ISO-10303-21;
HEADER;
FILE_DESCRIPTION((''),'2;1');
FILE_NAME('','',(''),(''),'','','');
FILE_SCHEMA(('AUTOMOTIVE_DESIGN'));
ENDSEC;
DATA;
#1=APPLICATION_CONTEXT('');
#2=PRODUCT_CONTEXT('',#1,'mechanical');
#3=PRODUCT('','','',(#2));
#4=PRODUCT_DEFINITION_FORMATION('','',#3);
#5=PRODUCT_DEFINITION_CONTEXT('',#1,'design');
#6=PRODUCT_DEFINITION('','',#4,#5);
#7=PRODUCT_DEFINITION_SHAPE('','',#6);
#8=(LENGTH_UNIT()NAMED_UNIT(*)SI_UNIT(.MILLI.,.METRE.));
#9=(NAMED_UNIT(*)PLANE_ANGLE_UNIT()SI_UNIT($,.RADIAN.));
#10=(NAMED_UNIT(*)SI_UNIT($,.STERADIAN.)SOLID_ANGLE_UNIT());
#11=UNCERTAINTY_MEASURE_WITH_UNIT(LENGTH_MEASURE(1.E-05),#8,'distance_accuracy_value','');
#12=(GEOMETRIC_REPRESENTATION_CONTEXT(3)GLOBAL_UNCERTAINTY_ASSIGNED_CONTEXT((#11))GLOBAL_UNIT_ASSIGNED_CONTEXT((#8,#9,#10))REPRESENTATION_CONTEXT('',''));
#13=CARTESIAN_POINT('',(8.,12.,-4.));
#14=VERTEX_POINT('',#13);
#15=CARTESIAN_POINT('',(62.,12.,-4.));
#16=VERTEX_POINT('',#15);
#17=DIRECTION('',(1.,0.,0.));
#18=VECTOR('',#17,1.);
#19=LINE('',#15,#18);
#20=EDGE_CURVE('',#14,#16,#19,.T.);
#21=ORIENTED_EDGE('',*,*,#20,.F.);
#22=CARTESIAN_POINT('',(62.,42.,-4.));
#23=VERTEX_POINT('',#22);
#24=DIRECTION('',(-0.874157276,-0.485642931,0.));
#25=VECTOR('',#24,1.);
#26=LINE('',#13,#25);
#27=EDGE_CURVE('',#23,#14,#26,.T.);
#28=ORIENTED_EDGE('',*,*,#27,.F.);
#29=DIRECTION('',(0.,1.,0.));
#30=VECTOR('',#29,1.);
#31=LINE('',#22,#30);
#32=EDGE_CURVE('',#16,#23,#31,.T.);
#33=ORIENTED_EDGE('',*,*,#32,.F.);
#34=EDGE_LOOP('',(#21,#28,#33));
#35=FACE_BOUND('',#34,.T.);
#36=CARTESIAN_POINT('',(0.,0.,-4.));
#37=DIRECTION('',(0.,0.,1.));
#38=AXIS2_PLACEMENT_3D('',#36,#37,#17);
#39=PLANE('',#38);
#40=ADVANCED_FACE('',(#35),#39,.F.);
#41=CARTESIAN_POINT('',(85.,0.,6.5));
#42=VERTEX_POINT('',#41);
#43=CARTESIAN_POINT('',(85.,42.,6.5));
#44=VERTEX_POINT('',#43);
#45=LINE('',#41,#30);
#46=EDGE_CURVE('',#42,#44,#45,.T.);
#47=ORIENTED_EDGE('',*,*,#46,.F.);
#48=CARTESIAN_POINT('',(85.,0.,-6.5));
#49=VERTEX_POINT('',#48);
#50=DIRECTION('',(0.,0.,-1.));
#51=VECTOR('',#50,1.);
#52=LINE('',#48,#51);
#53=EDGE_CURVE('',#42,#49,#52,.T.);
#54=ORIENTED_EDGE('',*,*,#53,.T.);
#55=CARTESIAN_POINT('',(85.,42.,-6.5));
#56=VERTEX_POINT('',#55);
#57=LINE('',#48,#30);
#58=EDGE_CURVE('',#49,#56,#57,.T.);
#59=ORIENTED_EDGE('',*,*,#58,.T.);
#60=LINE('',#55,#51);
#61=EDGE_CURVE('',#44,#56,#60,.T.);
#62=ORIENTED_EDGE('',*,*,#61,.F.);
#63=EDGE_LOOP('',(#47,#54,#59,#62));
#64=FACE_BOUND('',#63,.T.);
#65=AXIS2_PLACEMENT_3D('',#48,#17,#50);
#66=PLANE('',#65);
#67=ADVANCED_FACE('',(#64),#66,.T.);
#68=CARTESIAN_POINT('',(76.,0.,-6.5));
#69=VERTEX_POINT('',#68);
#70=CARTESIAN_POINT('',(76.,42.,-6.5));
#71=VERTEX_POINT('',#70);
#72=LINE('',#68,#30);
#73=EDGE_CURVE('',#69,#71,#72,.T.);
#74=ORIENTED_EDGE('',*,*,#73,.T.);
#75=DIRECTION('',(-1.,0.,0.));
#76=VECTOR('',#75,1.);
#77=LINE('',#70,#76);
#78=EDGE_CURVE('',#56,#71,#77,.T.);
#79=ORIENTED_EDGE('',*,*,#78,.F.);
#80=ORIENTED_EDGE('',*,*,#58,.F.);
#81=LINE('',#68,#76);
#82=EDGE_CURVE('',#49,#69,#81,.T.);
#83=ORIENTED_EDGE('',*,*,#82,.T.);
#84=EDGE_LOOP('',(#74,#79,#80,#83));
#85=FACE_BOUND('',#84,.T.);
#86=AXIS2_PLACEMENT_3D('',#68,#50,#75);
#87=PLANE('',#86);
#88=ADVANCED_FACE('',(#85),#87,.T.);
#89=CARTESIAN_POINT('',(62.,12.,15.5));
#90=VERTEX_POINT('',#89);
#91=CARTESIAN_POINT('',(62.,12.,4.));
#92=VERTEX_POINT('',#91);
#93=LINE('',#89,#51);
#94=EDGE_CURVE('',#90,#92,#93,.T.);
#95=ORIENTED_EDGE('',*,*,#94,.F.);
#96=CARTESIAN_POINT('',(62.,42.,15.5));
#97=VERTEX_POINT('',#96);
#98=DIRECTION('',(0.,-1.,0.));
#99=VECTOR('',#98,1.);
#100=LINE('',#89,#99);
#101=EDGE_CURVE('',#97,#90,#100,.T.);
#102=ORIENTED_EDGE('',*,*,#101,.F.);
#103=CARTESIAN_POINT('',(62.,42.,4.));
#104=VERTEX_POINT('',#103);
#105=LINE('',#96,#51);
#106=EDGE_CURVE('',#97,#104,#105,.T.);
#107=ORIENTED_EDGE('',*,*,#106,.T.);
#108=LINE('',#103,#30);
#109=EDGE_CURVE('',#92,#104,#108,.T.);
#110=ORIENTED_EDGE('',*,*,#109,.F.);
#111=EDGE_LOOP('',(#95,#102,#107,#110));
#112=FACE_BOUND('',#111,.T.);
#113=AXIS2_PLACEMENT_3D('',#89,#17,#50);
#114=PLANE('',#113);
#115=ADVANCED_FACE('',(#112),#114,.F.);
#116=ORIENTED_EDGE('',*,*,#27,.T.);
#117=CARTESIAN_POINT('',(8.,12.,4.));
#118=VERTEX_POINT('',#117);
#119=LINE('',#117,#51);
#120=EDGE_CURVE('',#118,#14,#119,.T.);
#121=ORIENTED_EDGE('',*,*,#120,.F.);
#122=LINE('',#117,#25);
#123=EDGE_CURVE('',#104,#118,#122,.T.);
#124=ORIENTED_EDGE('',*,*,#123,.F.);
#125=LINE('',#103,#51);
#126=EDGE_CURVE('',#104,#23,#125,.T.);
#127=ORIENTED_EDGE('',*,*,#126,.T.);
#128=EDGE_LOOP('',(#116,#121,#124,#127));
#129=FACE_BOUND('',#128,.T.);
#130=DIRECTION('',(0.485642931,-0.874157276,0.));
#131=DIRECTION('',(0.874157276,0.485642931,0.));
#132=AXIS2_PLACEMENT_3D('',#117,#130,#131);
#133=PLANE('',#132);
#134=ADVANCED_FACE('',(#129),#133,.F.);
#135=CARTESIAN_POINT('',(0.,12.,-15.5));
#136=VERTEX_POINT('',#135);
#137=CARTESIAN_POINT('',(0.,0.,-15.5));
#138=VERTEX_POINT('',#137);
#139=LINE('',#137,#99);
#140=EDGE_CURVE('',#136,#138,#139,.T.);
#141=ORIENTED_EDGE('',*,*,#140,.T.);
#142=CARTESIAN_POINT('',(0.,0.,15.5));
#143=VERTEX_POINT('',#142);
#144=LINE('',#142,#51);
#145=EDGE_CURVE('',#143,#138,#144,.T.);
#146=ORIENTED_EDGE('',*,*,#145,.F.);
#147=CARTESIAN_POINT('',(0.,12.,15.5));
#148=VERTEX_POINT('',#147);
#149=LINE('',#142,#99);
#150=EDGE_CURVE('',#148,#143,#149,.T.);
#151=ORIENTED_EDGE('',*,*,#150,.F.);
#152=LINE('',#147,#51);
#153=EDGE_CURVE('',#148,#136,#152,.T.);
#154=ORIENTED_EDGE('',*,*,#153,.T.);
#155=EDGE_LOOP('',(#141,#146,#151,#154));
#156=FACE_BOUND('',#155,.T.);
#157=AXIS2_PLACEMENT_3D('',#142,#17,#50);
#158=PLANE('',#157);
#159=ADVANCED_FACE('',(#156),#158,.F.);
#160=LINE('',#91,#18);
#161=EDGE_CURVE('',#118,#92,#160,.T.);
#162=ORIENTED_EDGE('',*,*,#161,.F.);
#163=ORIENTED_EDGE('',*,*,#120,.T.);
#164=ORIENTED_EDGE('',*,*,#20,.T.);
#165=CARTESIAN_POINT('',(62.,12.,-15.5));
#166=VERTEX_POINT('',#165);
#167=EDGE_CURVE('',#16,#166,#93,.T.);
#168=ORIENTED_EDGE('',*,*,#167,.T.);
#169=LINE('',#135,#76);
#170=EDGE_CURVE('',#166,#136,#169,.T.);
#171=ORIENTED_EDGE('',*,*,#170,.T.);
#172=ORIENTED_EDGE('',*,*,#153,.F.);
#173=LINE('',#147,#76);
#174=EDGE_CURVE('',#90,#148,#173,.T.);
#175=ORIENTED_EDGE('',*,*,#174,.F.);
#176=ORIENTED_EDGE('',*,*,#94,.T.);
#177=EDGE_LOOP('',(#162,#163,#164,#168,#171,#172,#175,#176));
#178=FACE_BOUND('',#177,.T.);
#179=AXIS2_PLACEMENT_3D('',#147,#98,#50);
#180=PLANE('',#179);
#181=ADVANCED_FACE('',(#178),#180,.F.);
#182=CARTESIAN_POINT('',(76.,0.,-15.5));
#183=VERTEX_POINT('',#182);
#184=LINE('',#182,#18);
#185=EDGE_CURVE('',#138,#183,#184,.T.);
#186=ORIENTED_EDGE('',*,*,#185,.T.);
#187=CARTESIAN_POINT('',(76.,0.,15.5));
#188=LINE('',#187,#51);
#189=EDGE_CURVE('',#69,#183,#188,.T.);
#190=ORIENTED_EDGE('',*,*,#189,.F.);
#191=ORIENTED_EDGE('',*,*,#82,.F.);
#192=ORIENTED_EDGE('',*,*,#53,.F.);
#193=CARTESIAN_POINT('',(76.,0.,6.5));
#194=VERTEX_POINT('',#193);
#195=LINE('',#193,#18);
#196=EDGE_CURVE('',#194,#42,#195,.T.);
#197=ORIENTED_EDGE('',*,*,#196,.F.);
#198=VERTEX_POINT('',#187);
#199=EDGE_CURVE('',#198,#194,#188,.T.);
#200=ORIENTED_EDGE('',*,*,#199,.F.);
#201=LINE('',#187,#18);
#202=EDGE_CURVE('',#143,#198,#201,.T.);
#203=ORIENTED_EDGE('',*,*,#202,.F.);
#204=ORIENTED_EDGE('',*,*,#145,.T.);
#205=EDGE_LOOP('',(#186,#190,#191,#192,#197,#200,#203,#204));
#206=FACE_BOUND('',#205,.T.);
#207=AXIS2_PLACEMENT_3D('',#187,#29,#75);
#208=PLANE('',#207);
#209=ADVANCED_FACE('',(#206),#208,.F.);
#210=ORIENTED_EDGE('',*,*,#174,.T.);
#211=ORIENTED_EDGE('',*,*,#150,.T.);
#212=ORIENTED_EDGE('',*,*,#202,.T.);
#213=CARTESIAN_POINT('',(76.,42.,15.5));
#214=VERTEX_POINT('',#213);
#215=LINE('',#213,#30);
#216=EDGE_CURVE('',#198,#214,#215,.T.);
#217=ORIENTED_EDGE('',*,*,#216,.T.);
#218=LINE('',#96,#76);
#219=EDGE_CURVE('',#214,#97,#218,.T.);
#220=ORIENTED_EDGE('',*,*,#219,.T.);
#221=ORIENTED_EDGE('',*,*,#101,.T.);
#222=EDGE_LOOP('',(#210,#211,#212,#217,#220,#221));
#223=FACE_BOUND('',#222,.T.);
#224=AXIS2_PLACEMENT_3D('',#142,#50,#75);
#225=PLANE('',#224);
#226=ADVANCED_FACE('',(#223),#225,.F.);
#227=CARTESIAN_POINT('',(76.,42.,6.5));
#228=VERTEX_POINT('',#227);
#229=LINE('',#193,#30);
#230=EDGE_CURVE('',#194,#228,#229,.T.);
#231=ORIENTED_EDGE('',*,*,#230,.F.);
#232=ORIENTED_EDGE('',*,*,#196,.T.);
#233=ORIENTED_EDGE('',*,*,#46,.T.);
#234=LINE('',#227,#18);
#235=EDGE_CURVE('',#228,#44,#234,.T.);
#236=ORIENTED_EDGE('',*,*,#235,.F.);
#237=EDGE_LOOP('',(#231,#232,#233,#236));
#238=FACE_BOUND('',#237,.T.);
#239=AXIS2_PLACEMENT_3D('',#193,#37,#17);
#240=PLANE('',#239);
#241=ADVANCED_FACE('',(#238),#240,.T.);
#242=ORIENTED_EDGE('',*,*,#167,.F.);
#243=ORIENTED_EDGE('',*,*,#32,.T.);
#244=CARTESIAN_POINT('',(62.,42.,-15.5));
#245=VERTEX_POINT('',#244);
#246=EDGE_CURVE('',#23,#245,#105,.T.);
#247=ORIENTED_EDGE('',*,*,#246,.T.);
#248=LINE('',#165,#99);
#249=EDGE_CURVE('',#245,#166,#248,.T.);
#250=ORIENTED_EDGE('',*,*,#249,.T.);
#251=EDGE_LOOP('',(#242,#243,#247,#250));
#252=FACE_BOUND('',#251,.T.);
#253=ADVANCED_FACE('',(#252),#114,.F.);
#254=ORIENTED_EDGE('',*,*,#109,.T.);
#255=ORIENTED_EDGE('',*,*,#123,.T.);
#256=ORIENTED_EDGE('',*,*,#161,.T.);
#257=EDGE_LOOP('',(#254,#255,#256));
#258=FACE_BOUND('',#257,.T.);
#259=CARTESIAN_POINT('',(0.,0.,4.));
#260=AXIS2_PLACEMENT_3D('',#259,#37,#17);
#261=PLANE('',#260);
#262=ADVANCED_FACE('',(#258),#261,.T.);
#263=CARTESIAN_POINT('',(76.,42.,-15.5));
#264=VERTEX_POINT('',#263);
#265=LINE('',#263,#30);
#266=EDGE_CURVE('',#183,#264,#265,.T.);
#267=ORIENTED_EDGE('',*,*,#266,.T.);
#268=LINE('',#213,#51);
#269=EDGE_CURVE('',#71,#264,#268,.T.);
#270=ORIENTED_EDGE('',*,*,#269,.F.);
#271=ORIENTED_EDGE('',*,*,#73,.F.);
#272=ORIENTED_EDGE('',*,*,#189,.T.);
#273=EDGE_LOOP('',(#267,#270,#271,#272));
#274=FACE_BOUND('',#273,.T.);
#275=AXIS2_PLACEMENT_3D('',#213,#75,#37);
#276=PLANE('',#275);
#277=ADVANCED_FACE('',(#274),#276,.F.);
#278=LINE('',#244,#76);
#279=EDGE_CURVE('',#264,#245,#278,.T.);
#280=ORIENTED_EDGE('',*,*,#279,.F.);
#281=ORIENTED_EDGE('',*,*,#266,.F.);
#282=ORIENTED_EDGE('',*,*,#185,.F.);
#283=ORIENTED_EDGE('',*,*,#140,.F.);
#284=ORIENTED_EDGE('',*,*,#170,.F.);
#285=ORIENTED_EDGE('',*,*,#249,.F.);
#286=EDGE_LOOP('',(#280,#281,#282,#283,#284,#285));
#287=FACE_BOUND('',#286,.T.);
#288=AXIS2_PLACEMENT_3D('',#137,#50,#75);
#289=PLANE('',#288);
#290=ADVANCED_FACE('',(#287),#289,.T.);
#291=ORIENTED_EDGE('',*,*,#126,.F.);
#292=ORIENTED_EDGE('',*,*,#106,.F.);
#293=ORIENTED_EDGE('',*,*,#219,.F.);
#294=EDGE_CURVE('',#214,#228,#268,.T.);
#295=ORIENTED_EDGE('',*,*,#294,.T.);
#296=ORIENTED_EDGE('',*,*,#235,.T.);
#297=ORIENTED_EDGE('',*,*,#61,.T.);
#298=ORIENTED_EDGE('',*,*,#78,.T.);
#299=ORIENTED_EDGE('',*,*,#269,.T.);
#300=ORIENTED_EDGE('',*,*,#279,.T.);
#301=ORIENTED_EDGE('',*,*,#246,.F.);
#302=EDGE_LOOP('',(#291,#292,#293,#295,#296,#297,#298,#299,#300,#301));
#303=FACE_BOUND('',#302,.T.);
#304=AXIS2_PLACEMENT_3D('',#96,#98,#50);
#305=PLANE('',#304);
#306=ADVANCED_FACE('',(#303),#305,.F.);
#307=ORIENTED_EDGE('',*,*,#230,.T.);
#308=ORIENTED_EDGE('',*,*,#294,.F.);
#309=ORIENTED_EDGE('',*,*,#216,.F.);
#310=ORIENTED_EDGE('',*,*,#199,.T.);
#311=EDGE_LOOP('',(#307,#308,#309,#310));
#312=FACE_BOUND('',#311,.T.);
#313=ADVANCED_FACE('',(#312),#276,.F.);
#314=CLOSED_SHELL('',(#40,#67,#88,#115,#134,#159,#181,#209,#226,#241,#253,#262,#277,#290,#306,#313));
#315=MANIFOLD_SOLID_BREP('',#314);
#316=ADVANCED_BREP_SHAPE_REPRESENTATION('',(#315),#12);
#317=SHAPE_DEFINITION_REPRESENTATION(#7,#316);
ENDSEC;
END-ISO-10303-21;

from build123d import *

# Parameters (mm, degrees)
BOSS_EXTRUDE1_DEPTH = 15.5
BOSS_EXTRUDE2_DEPTH = 4
SKETCH3_W           = 9
SKETCH3_H           = 13
BOSS_EXTRUDE3_DEPTH = 42


with BuildPart() as part:
    # Sketch1 → Boss-Extrude1 (new, symmetric)
    with BuildSketch(Plane.XY):
        Polygon((0, 0), (0, 12), (62, 12), (62, 42), (76, 42), (76, 0), align=None)
    extrude(amount=BOSS_EXTRUDE1_DEPTH, both=True)

    # Sketch2 → Boss-Extrude2 (add, symmetric)
    with BuildSketch(Plane.XY):
        Polygon((8, 12), (62, 42), (62, 12), align=None)
    extrude(amount=BOSS_EXTRUDE2_DEPTH, both=True)

    # Sketch3 → Boss-Extrude3 (add, through all)
    with BuildSketch(Plane(origin=(0, 42, 0), x_dir=(1, 0, 0), z_dir=(0, 1, 0))):
        with Locations((80.5, 0)):
            Rectangle(SKETCH3_W, SKETCH3_H)
    extrude(amount=-BOSS_EXTRUDE3_DEPTH)


solid = part.part
